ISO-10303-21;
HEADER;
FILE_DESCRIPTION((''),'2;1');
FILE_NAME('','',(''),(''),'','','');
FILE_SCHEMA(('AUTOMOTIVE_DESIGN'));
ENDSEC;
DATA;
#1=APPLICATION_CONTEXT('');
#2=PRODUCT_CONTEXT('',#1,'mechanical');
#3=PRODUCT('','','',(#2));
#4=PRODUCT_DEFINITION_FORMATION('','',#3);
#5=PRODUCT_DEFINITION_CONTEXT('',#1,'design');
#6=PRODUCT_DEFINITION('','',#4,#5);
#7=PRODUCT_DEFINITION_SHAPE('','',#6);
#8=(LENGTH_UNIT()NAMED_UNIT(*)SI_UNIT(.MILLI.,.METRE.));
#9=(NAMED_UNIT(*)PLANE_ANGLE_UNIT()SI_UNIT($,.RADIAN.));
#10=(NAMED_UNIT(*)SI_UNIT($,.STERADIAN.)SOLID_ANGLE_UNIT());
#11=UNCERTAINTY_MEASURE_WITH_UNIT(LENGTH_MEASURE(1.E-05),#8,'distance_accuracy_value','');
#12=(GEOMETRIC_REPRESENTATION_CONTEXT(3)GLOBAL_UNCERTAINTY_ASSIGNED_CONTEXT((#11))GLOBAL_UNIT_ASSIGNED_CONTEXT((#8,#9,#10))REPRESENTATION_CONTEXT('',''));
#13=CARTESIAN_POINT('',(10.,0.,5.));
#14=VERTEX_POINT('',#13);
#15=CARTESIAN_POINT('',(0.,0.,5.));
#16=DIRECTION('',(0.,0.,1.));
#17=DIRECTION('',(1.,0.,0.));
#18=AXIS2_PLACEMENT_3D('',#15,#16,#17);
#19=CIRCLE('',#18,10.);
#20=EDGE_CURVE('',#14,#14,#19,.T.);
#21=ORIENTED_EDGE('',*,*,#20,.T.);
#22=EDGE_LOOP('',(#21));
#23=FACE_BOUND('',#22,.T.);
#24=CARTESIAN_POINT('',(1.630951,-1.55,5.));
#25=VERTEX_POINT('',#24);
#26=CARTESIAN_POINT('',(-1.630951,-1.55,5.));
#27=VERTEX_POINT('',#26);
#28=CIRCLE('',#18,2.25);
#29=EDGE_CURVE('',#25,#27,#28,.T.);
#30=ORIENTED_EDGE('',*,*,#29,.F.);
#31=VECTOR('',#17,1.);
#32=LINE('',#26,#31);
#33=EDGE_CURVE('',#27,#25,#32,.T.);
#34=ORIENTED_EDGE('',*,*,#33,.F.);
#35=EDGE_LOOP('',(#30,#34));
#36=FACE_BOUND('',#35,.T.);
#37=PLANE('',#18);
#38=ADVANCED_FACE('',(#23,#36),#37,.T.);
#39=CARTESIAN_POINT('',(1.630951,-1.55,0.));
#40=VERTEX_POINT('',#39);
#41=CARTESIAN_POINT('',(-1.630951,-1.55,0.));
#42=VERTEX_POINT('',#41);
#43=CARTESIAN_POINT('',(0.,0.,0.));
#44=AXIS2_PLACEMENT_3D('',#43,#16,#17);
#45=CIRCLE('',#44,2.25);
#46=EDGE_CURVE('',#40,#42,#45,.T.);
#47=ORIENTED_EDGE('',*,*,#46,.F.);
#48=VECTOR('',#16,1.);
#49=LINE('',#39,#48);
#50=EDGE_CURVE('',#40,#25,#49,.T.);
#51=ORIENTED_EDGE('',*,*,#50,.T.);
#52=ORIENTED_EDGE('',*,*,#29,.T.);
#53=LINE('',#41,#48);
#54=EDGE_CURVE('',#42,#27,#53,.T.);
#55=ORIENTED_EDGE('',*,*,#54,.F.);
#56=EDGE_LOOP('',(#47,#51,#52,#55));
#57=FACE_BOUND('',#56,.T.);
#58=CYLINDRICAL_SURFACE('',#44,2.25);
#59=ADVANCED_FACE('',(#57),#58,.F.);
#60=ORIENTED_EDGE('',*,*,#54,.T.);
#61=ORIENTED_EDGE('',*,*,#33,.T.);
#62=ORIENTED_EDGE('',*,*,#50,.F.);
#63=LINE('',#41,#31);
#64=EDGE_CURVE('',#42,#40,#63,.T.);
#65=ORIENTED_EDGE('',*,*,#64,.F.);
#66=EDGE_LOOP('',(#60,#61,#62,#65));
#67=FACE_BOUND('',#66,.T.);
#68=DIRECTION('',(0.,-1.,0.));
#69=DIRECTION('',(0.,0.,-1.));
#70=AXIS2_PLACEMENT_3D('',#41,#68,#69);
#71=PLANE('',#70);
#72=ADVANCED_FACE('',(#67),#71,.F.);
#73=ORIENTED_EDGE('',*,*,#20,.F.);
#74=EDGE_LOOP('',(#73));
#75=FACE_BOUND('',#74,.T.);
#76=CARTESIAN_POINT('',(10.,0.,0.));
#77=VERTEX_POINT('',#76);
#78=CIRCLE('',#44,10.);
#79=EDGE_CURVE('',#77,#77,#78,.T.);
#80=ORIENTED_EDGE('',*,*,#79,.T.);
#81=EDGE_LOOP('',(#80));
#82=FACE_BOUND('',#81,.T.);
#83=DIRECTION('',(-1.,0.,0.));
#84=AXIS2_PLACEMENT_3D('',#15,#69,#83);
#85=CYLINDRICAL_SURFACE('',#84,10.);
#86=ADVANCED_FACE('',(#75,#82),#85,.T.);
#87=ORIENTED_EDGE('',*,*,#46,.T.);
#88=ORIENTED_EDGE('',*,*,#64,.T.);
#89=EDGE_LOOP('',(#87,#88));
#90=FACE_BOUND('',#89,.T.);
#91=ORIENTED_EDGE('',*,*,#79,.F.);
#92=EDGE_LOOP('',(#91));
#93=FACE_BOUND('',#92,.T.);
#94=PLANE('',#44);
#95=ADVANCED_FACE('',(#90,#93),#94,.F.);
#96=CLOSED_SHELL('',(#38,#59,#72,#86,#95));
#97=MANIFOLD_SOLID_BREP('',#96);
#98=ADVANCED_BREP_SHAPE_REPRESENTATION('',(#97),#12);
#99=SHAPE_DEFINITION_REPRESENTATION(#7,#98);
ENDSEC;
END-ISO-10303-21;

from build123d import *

# Parameters (mm, degrees)
SKETCH_1_R          = 10
EXTRUDE_2_DEPTH     = 5
CUT_EXTRUDE_2_DEPTH = 5


with BuildPart() as part:
    # Эскиз1 → Бобышка-Вытянуть2 (new body)
    with BuildSketch(Plane.XY):
        Circle(SKETCH_1_R)
    extrude(amount=EXTRUDE_2_DEPTH)

    # Эскиз3 → Вырез-Вытянуть2 (cut)
    with BuildSketch(Plane.XY.offset(5)):
        with BuildLine():
            Line((-1.630950643, -1.55), (1.630950643, -1.55))
            ThreePointArc((1.630950643, -1.55), (0, 2.25), (-1.630950643, -1.55))
        make_face()
    extrude(amount=-CUT_EXTRUDE_2_DEPTH, mode=Mode.SUBTRACT)


solid = part.part
